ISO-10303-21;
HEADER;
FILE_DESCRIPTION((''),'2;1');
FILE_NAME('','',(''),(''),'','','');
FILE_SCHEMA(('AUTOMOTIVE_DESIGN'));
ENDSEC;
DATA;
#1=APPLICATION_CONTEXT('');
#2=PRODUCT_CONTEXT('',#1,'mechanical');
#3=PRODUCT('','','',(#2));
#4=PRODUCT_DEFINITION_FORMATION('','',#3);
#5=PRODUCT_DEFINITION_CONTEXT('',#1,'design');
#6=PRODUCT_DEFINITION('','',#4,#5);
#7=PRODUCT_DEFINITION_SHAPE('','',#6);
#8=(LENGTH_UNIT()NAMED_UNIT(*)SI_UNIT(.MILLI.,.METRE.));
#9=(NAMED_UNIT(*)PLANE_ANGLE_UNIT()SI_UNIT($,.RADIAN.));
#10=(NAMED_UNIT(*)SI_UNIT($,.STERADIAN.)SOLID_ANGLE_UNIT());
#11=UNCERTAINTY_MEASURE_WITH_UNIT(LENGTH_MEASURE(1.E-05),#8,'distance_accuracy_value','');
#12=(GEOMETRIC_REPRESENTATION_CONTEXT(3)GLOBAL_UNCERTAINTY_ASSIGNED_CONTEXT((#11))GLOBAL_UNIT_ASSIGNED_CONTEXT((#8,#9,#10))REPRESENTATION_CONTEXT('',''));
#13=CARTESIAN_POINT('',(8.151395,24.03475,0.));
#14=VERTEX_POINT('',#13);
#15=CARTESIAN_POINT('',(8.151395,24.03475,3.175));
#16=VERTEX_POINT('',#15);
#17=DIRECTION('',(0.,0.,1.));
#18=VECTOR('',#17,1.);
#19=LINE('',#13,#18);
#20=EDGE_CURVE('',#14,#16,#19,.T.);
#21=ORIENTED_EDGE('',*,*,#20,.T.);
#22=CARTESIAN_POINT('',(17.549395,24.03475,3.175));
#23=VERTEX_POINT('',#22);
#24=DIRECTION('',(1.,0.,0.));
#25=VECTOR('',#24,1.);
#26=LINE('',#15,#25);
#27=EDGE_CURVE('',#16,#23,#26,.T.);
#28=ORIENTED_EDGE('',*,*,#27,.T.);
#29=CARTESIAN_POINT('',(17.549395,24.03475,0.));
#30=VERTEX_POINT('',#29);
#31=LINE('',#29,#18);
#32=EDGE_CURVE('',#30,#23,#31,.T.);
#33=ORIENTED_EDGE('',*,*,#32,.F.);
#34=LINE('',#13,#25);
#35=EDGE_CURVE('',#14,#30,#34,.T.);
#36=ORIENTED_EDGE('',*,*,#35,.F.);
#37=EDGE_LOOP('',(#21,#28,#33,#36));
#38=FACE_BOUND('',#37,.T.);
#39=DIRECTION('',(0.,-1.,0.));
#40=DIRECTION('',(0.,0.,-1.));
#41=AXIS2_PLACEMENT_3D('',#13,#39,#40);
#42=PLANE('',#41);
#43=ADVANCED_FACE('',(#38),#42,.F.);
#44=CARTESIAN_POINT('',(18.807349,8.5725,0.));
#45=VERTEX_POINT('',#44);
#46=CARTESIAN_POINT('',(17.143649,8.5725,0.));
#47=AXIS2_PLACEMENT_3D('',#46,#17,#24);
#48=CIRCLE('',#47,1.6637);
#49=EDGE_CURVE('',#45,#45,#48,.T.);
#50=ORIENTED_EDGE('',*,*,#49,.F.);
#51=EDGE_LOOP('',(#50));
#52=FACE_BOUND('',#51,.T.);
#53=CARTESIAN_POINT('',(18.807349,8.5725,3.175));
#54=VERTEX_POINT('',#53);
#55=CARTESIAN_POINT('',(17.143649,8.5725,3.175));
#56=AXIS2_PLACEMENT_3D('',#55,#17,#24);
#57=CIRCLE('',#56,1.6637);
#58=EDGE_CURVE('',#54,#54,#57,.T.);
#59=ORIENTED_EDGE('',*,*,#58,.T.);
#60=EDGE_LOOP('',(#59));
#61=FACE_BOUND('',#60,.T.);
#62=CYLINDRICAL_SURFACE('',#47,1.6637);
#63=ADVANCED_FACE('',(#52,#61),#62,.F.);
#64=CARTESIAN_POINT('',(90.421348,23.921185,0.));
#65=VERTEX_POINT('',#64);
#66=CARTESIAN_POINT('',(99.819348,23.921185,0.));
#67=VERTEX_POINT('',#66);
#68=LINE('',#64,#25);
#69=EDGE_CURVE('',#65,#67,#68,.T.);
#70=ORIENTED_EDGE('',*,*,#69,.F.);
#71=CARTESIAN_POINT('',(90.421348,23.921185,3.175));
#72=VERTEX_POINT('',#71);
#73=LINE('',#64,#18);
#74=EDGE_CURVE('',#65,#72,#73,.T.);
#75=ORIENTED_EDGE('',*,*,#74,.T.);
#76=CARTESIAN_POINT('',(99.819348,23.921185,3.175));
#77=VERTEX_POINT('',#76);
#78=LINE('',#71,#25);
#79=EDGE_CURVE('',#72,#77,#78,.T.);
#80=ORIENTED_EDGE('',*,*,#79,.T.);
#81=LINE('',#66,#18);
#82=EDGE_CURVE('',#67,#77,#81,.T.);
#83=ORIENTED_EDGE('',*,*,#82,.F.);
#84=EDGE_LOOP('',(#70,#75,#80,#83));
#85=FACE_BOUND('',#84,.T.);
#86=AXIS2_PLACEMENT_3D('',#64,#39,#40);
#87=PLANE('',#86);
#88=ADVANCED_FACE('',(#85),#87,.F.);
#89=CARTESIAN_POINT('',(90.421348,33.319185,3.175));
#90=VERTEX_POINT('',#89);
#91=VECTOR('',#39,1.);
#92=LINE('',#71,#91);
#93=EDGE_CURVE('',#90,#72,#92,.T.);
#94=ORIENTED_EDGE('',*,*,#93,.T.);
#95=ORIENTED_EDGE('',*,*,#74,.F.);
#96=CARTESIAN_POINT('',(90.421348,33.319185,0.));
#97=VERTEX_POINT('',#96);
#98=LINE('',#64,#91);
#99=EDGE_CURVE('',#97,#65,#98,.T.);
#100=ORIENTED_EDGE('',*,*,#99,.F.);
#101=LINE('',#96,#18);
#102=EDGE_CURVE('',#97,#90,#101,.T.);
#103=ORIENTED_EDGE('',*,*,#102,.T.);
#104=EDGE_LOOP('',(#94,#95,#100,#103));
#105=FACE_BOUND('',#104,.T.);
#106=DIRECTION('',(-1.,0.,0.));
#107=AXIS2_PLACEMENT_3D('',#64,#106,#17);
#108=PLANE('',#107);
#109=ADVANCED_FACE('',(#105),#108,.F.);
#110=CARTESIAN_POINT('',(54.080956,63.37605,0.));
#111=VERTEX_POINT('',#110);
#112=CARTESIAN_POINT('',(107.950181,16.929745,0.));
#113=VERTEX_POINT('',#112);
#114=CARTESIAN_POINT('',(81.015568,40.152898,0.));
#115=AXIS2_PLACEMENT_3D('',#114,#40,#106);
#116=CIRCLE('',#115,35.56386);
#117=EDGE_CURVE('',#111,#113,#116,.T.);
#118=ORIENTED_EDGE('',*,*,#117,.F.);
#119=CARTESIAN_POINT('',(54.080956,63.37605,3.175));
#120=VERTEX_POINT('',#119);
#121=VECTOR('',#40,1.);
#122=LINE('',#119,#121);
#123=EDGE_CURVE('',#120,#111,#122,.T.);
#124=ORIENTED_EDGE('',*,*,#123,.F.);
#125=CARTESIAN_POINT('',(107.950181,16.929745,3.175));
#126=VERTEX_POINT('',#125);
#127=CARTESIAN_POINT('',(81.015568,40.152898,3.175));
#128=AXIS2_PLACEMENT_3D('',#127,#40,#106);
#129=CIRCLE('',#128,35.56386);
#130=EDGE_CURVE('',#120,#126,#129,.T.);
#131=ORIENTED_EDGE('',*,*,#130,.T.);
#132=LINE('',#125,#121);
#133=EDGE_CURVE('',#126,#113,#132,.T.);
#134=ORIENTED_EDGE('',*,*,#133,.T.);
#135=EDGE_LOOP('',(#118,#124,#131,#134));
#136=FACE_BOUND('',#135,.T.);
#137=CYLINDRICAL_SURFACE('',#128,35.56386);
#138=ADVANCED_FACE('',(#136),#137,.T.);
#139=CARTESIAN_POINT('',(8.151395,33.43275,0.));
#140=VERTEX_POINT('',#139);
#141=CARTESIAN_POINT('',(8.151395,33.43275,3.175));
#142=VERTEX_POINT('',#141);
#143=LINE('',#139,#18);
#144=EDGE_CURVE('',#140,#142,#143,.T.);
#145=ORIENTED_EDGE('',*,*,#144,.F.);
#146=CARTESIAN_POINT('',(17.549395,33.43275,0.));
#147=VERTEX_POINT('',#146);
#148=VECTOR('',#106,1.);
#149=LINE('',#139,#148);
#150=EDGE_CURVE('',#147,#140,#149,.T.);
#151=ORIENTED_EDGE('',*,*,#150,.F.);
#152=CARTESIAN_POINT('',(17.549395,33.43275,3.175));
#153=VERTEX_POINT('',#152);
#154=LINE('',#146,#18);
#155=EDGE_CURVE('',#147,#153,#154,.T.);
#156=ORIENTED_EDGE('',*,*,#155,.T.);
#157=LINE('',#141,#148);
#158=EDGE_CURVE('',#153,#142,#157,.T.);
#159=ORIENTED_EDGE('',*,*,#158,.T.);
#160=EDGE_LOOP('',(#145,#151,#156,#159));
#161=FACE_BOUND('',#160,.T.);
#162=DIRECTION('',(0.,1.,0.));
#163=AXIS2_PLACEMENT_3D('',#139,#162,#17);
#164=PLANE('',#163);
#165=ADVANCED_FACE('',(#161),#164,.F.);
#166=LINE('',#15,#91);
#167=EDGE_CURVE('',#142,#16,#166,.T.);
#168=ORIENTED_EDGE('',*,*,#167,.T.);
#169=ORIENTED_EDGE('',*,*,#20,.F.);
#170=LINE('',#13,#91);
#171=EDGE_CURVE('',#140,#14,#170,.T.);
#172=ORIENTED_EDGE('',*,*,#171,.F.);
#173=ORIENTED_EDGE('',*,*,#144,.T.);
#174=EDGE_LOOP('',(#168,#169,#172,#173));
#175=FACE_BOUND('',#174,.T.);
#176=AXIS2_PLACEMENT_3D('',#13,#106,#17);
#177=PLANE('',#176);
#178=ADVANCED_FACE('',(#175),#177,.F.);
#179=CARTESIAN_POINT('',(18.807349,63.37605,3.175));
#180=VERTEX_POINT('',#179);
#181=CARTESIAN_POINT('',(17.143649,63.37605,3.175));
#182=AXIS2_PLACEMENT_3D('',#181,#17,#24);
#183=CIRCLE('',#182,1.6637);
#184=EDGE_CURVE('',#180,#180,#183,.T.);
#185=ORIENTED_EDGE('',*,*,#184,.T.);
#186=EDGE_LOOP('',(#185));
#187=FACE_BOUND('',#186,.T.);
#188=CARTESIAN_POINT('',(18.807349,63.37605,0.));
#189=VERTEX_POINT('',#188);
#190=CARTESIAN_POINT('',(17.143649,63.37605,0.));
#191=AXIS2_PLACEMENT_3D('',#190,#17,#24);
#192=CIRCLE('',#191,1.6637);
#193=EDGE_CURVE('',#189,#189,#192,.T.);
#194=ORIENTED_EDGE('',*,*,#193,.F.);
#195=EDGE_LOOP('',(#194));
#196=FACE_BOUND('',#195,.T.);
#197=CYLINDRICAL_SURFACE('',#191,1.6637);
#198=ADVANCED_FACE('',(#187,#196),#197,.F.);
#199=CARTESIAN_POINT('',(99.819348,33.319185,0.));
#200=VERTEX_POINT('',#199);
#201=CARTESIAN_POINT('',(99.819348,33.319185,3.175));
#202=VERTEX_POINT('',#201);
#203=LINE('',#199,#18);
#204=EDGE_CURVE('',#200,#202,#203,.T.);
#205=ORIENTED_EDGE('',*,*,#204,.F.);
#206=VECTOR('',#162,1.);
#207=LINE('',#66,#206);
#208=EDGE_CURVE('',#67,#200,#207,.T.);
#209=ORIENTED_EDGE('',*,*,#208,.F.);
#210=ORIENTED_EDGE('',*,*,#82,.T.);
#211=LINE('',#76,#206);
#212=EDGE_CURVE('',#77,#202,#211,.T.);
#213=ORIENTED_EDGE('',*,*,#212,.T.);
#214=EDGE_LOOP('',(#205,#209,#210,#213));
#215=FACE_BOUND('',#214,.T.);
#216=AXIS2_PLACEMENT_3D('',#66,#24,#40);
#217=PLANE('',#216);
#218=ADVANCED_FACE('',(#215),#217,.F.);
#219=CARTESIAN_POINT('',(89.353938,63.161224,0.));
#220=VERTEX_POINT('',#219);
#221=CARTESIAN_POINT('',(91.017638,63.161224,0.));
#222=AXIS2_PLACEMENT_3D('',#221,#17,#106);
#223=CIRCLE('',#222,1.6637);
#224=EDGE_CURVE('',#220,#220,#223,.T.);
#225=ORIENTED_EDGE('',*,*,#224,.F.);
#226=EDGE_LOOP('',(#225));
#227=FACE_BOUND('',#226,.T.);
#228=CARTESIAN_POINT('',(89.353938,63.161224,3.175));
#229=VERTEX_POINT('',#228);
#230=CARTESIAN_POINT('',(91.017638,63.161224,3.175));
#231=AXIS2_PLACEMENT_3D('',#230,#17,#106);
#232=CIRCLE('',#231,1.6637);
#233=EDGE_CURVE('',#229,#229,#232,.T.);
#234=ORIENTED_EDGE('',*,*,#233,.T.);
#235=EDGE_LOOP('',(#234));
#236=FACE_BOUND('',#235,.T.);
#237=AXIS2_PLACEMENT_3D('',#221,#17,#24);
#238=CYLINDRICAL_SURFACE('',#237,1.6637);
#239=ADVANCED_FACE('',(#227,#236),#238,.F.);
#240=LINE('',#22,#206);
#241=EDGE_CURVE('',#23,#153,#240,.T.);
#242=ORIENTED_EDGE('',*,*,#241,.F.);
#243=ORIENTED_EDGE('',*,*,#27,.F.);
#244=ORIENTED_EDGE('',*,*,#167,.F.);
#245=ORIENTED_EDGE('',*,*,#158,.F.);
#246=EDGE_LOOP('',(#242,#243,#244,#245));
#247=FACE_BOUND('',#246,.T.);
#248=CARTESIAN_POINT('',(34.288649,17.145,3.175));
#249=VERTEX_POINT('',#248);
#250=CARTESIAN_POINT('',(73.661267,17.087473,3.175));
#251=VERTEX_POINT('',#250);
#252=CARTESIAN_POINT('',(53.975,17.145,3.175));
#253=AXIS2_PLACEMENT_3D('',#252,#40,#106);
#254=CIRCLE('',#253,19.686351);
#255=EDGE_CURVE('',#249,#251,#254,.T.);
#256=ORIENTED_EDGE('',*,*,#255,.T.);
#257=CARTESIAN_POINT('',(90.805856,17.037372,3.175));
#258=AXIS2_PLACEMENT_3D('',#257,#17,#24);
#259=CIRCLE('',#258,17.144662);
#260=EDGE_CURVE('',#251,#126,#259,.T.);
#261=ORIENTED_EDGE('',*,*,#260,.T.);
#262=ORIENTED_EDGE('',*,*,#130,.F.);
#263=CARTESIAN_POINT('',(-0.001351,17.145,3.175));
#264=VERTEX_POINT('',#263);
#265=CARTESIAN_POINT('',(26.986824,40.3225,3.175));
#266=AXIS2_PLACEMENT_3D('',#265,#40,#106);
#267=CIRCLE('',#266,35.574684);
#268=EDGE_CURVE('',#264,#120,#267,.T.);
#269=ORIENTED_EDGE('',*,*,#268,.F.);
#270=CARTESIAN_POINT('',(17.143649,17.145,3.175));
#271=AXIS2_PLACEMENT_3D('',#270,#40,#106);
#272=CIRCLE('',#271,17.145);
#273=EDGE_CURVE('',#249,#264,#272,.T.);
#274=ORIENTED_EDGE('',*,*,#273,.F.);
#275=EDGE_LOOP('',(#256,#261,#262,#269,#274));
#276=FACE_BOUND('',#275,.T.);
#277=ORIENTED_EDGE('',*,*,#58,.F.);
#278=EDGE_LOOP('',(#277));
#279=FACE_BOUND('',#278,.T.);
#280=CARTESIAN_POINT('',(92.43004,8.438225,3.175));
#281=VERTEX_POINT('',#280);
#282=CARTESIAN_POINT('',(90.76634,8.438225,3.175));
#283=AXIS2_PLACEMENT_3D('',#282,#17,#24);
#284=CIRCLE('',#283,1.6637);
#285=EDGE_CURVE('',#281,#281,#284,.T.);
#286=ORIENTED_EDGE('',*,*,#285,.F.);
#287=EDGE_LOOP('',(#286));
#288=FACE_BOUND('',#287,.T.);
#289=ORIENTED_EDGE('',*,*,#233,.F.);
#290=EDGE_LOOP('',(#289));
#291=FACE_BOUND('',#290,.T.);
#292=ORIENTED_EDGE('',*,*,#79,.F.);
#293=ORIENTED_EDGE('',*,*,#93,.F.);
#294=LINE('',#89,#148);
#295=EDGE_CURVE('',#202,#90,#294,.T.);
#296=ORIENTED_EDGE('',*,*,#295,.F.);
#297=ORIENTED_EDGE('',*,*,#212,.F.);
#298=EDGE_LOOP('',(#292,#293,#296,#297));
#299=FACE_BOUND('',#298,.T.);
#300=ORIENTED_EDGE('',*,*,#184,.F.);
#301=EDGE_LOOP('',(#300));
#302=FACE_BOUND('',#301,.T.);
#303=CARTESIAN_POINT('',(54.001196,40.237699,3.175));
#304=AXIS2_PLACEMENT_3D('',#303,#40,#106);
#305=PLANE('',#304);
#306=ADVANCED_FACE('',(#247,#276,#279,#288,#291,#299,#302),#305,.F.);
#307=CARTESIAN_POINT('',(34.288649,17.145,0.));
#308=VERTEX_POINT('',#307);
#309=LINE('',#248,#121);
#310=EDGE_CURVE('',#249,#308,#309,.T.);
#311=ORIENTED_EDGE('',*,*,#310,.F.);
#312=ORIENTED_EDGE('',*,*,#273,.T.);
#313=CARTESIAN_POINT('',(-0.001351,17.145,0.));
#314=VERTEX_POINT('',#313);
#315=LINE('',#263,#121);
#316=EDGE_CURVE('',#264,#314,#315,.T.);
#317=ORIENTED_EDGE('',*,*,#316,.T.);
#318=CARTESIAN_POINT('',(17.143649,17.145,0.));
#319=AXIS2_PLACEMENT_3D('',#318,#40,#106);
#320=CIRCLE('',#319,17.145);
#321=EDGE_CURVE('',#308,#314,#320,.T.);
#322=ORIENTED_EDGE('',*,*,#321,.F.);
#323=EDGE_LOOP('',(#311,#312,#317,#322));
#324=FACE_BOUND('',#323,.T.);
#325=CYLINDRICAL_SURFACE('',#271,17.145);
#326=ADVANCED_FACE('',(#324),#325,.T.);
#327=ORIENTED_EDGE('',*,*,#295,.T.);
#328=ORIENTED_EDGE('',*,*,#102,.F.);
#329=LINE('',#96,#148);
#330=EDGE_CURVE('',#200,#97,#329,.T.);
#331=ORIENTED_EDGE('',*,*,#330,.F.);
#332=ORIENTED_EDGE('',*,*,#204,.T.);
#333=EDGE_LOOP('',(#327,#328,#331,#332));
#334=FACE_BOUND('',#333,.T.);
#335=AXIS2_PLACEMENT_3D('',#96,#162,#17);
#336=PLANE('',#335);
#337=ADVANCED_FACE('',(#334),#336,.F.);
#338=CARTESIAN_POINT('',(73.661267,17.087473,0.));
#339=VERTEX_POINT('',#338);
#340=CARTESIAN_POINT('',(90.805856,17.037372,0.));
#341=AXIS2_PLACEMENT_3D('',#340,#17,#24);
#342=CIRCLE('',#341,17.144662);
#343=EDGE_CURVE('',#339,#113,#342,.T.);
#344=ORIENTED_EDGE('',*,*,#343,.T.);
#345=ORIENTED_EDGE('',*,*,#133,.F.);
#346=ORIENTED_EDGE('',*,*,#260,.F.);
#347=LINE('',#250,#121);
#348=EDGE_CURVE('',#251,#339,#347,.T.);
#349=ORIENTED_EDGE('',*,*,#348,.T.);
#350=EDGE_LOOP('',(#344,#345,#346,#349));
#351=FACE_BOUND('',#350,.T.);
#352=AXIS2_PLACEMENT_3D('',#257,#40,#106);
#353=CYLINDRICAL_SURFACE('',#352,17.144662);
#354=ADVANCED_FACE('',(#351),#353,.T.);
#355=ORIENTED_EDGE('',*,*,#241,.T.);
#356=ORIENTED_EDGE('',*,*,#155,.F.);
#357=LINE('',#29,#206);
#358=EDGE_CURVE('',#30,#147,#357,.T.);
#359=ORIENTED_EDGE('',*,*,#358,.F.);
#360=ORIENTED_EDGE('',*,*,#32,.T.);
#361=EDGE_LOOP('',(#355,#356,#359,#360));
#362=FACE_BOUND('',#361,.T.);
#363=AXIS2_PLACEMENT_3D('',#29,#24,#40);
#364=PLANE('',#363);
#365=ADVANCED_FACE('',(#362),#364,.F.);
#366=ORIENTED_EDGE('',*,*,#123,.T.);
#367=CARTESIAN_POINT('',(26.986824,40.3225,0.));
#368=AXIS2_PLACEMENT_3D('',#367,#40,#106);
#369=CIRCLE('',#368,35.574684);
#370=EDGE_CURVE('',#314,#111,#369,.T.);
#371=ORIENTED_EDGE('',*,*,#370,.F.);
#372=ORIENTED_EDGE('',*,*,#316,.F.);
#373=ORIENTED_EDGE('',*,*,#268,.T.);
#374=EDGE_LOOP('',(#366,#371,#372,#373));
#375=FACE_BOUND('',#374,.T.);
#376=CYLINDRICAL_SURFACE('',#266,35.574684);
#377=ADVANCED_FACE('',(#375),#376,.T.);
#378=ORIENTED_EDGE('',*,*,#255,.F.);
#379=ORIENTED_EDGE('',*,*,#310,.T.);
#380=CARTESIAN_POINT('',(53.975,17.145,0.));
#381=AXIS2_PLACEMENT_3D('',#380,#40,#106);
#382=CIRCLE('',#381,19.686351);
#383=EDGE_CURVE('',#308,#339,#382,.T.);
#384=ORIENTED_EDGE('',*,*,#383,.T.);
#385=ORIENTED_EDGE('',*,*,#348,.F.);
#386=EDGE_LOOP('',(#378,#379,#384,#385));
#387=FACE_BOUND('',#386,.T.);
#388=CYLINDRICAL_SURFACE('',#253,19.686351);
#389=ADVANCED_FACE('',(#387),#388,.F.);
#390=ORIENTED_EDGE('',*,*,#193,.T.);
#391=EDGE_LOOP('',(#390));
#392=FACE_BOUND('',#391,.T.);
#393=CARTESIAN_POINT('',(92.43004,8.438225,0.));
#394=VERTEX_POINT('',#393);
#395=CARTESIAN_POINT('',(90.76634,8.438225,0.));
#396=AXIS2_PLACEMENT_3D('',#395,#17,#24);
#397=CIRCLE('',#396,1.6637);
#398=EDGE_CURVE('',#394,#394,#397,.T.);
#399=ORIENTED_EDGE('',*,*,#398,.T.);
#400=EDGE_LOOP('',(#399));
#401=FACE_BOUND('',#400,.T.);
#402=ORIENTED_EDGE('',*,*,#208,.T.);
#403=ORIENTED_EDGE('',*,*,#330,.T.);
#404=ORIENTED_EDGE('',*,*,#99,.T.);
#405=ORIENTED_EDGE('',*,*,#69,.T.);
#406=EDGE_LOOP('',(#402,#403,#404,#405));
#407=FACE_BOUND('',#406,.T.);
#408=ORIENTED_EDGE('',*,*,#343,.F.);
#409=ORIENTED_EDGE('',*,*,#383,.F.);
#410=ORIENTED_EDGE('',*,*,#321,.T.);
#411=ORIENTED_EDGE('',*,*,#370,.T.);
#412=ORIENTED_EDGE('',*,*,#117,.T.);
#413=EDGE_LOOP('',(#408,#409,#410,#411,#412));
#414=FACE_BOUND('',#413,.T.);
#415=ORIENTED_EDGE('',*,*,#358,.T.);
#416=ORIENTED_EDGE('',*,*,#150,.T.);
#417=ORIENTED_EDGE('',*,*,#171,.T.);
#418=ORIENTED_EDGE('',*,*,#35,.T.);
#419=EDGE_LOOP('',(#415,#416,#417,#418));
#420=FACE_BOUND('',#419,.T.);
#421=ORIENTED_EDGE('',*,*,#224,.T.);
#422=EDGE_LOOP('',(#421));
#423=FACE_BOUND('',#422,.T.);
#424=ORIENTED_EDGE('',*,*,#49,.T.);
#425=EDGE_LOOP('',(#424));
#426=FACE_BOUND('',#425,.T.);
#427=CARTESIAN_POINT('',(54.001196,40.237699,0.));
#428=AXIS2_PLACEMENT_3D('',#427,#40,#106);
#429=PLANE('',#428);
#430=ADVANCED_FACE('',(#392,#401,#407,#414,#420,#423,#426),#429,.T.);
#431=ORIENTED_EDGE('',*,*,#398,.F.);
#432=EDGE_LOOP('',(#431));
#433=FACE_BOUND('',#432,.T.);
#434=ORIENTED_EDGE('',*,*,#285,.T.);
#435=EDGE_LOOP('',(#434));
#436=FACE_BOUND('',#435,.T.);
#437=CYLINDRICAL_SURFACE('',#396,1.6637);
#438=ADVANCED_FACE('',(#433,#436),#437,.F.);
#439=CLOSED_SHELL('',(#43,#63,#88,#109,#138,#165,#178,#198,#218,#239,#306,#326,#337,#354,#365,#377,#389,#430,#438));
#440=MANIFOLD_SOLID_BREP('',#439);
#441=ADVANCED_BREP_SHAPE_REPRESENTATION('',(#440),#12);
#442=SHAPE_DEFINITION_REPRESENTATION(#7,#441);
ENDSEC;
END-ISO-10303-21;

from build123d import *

# Parameters (mm, degrees)
BOSS_EXTRUDE1_DEPTH = 3.175
SKETCH2_R           = 1.6637
CUT_EXTRUDE1_DEPTH  = 3.175
SKETCH3_W           = 9.398
SKETCH3_H           = 9.398
CUT_EXTRUDE2_DEPTH  = 3.175


with BuildPart() as part:
    # Sketch1 → Boss-Extrude1 (new body)
    with BuildSketch(Plane.XY):
        with BuildLine():
            ThreePointArc((34.288648696, 17.145), (17.143648696, 0), (-0.001351304, 17.145))
            ThreePointArc((-0.001351304, 17.145), (3.871238611, 67.363724589), (54.080955836, 63.376050056))
            ThreePointArc((54.080955836, 63.376050056), (104.238720612, 67.087510011), (107.950180567, 16.929745235))
            ThreePointArc((107.950180567, 16.929745235), (90.72699247, -0.107108433), (73.66126725, 17.087472513))
            ThreePointArc((73.66126725, 17.087472513), (54.003763774, 36.831330291), (34.288648696, 17.145))
        make_face()
    extrude(amount=BOSS_EXTRUDE1_DEPTH)

    # Sketch2 → Cut-Extrude1 (cut)
    with BuildSketch(Plane.XY.offset(3.175)):
        with Locations((17.143648696, 8.5725)):
            Circle(SKETCH2_R)
        with Locations((90.766339889, 8.438225181)):
            Circle(SKETCH2_R)
        with Locations((17.143648696, 63.376050056)):
            Circle(SKETCH2_R)
        with Locations((91.017638263, 63.161224448)):
            Circle(SKETCH2_R)
    extrude(amount=-CUT_EXTRUDE1_DEPTH, mode=Mode.SUBTRACT)

    # Sketch3 → Cut-Extrude2 (cut)
    with BuildSketch(Plane.XY.offset(3.175)):
        with Locations((12.850394595, 28.73375)):
            Rectangle(SKETCH3_W, SKETCH3_H)
        with Locations((95.120347818, 28.620185079)):
            Rectangle(SKETCH3_W, SKETCH3_H)
    extrude(amount=-CUT_EXTRUDE2_DEPTH, mode=Mode.SUBTRACT)


solid = part.part
